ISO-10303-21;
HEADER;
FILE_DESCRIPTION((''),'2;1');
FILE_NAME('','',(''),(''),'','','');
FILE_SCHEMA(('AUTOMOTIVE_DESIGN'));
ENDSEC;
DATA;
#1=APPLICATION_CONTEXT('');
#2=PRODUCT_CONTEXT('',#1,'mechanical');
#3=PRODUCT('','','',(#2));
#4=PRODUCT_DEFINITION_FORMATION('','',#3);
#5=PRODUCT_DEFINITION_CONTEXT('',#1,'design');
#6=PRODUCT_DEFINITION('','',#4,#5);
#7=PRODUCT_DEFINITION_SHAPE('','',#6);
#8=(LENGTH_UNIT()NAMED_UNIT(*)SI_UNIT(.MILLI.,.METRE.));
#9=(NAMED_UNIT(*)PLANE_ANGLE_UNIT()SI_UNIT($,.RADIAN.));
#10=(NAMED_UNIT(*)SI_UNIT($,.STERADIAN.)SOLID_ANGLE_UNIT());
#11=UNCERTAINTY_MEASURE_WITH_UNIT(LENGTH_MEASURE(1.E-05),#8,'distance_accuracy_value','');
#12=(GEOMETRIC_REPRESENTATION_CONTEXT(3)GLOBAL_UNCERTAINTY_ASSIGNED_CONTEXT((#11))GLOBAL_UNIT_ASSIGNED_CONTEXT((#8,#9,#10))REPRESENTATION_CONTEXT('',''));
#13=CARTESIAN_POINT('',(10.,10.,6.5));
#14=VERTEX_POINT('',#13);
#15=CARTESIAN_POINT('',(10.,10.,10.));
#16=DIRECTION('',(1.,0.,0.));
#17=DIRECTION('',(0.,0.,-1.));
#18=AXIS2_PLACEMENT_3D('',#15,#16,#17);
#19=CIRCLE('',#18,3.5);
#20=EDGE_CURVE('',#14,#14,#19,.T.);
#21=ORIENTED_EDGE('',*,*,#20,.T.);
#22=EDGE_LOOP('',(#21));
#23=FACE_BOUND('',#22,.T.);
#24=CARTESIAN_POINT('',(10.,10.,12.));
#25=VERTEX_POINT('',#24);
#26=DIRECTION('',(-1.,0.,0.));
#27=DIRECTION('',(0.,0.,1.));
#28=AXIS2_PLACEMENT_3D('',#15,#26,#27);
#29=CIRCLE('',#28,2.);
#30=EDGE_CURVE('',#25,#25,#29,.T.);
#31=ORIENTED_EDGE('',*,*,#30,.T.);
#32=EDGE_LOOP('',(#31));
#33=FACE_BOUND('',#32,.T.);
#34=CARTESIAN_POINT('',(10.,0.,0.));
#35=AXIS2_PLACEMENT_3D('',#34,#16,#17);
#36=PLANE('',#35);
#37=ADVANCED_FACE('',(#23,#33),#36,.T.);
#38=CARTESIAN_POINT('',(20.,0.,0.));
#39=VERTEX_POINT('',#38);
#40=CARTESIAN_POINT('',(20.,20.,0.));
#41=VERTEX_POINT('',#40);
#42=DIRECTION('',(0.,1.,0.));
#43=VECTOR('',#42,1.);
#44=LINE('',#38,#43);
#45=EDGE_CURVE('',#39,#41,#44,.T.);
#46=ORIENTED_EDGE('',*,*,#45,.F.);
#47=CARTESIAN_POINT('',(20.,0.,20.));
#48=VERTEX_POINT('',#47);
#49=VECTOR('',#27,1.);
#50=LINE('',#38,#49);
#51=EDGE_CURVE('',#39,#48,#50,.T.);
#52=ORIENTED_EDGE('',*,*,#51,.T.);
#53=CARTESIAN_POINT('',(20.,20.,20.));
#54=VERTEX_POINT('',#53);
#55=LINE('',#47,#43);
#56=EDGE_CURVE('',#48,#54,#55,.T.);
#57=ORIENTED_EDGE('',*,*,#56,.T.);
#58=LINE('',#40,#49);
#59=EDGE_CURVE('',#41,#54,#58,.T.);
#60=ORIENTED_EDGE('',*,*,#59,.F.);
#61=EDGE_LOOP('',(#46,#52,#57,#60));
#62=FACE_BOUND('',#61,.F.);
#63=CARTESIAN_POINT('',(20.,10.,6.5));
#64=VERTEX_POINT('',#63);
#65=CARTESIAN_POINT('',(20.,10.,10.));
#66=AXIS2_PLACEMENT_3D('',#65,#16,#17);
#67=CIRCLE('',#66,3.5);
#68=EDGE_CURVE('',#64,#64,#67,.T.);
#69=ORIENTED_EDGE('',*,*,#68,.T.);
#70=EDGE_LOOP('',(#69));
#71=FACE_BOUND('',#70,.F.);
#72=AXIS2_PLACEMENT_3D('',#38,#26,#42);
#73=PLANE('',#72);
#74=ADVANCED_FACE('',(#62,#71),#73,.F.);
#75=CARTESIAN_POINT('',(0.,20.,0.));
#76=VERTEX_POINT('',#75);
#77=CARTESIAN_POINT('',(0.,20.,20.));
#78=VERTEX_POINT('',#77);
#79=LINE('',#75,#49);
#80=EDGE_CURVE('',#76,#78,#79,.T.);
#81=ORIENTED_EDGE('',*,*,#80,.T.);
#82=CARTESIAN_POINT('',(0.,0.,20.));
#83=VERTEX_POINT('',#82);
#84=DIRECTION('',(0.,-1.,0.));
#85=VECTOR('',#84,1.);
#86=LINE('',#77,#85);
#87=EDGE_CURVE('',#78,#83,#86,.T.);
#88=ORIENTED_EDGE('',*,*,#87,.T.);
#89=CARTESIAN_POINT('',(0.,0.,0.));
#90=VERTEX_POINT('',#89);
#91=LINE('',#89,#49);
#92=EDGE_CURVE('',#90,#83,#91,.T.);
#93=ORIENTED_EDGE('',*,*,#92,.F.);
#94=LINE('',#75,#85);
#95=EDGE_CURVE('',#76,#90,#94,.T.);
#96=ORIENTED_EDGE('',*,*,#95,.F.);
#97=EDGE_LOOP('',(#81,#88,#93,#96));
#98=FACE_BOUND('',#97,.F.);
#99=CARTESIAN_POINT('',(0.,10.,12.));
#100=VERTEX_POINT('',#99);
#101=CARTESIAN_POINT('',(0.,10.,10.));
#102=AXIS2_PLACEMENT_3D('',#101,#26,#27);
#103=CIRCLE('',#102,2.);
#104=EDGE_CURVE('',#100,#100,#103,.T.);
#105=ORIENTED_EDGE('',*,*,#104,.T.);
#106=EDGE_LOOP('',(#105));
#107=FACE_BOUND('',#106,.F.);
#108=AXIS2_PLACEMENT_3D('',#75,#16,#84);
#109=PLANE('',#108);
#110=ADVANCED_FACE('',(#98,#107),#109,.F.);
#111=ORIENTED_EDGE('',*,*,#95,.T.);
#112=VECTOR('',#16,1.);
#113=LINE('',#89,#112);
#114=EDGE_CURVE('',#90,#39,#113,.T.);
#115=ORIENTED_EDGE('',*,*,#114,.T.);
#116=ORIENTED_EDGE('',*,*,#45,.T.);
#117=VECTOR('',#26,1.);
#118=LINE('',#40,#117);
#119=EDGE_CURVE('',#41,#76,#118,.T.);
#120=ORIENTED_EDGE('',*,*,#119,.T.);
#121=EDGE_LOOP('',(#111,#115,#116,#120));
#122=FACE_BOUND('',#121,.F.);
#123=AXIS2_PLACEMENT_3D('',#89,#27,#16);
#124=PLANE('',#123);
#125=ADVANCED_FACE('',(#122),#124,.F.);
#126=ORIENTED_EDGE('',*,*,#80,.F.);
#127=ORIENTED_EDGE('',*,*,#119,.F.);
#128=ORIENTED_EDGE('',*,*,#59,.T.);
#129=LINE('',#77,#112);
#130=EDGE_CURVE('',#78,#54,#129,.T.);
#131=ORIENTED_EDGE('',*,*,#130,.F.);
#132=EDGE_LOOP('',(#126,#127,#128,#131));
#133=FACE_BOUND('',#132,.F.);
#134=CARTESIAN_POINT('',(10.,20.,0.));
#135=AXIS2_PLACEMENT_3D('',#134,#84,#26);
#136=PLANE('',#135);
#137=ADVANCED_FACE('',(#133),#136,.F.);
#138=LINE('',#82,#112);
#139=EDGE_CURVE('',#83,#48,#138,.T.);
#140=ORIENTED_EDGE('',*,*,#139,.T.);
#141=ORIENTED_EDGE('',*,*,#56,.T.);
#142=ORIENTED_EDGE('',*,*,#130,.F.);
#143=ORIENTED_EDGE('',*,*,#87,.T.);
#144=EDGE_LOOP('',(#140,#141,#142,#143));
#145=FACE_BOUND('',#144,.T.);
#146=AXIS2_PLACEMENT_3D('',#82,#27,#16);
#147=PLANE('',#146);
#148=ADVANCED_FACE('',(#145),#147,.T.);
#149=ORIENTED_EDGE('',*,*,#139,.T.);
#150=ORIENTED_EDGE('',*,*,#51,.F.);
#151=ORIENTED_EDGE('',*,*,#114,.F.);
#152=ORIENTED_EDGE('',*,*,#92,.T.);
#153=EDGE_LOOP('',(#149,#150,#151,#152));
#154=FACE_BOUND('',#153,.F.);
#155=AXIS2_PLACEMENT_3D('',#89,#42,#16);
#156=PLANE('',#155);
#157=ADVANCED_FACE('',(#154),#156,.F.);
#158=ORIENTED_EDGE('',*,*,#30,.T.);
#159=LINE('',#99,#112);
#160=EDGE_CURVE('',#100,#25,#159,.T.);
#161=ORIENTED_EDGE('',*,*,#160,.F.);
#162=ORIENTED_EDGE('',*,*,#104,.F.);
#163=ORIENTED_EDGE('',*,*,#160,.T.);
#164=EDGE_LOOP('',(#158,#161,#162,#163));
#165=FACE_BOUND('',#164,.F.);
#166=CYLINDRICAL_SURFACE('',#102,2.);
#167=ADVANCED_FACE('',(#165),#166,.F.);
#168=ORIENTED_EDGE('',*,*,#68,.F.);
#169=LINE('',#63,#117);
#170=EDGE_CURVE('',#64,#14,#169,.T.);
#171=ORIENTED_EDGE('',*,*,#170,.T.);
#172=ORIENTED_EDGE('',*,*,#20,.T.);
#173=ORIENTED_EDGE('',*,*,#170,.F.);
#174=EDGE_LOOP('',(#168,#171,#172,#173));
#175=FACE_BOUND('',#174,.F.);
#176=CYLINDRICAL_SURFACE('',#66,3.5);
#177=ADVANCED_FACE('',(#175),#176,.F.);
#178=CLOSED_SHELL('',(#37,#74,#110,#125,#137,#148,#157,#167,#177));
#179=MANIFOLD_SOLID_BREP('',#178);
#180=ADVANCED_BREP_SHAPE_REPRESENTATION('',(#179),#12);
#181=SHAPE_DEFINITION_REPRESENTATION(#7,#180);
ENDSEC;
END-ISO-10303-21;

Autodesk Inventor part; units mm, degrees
ref_plane "YZ Plane" through (0, 0, 0) normal (1, 0, 0) x (0, 1, 0)
ref_plane "XZ Plane" through (0, 0, 0) normal (0, 1, 0) x (-1, 0, 0)
ref_plane "XY Plane" through (0, 0, 0) normal (0, 0, 1) x (1, 0, 0)
sketch "Sketch1" plane through (0, 0, 0) normal (0, 0, 1) x (1, 0, 0)
  line L0 (0, 0) -> (20, 0)
  line L1 (20, 0) -> (20, 20)
  line L2 (20, 20) -> (0, 20)
  line L3 (0, 20) -> (0, 0)
  line L4 (0, 20) -> (10, 20)
  dimension "d0" = 20
  dimension "d1" = 20
extrude "Extrusion1" add sketch "Sketch1" along normal blind 20
sketch "Sketch2" plane through (20, 0, 0) normal (1, 0, 0) x (0, 0, -1)
  circle A0 centre (-10, 10) radius 3.5
  line L0 (0, 20) -> (-20, 20) projected
  line L1 (-20, 0) -> (-20, 20) projected
  point P0 (0, 0)
  dimension "d4" = 7
  dimension "d5" = 10
  dimension "d6" = 10
extrude "Extrusion2" cut sketch "Sketch2" against normal blind 10
sketch "Sketch3" plane through (0, 0, 0) normal (-1, 0, 0) x (0, 0, 1)
  circle A0 centre (10, 10) radius 2
  line L0 (0, 0) -> (20, 0) projected
  line L1 (20, 20) -> (20, 0) projected
  dimension "d9" = 4
  dimension "d10" = 10
  dimension "d11" = 10
extrude "Extrusion3" cut sketch "Sketch3" against normal blind 10
properties part number "holetest"
